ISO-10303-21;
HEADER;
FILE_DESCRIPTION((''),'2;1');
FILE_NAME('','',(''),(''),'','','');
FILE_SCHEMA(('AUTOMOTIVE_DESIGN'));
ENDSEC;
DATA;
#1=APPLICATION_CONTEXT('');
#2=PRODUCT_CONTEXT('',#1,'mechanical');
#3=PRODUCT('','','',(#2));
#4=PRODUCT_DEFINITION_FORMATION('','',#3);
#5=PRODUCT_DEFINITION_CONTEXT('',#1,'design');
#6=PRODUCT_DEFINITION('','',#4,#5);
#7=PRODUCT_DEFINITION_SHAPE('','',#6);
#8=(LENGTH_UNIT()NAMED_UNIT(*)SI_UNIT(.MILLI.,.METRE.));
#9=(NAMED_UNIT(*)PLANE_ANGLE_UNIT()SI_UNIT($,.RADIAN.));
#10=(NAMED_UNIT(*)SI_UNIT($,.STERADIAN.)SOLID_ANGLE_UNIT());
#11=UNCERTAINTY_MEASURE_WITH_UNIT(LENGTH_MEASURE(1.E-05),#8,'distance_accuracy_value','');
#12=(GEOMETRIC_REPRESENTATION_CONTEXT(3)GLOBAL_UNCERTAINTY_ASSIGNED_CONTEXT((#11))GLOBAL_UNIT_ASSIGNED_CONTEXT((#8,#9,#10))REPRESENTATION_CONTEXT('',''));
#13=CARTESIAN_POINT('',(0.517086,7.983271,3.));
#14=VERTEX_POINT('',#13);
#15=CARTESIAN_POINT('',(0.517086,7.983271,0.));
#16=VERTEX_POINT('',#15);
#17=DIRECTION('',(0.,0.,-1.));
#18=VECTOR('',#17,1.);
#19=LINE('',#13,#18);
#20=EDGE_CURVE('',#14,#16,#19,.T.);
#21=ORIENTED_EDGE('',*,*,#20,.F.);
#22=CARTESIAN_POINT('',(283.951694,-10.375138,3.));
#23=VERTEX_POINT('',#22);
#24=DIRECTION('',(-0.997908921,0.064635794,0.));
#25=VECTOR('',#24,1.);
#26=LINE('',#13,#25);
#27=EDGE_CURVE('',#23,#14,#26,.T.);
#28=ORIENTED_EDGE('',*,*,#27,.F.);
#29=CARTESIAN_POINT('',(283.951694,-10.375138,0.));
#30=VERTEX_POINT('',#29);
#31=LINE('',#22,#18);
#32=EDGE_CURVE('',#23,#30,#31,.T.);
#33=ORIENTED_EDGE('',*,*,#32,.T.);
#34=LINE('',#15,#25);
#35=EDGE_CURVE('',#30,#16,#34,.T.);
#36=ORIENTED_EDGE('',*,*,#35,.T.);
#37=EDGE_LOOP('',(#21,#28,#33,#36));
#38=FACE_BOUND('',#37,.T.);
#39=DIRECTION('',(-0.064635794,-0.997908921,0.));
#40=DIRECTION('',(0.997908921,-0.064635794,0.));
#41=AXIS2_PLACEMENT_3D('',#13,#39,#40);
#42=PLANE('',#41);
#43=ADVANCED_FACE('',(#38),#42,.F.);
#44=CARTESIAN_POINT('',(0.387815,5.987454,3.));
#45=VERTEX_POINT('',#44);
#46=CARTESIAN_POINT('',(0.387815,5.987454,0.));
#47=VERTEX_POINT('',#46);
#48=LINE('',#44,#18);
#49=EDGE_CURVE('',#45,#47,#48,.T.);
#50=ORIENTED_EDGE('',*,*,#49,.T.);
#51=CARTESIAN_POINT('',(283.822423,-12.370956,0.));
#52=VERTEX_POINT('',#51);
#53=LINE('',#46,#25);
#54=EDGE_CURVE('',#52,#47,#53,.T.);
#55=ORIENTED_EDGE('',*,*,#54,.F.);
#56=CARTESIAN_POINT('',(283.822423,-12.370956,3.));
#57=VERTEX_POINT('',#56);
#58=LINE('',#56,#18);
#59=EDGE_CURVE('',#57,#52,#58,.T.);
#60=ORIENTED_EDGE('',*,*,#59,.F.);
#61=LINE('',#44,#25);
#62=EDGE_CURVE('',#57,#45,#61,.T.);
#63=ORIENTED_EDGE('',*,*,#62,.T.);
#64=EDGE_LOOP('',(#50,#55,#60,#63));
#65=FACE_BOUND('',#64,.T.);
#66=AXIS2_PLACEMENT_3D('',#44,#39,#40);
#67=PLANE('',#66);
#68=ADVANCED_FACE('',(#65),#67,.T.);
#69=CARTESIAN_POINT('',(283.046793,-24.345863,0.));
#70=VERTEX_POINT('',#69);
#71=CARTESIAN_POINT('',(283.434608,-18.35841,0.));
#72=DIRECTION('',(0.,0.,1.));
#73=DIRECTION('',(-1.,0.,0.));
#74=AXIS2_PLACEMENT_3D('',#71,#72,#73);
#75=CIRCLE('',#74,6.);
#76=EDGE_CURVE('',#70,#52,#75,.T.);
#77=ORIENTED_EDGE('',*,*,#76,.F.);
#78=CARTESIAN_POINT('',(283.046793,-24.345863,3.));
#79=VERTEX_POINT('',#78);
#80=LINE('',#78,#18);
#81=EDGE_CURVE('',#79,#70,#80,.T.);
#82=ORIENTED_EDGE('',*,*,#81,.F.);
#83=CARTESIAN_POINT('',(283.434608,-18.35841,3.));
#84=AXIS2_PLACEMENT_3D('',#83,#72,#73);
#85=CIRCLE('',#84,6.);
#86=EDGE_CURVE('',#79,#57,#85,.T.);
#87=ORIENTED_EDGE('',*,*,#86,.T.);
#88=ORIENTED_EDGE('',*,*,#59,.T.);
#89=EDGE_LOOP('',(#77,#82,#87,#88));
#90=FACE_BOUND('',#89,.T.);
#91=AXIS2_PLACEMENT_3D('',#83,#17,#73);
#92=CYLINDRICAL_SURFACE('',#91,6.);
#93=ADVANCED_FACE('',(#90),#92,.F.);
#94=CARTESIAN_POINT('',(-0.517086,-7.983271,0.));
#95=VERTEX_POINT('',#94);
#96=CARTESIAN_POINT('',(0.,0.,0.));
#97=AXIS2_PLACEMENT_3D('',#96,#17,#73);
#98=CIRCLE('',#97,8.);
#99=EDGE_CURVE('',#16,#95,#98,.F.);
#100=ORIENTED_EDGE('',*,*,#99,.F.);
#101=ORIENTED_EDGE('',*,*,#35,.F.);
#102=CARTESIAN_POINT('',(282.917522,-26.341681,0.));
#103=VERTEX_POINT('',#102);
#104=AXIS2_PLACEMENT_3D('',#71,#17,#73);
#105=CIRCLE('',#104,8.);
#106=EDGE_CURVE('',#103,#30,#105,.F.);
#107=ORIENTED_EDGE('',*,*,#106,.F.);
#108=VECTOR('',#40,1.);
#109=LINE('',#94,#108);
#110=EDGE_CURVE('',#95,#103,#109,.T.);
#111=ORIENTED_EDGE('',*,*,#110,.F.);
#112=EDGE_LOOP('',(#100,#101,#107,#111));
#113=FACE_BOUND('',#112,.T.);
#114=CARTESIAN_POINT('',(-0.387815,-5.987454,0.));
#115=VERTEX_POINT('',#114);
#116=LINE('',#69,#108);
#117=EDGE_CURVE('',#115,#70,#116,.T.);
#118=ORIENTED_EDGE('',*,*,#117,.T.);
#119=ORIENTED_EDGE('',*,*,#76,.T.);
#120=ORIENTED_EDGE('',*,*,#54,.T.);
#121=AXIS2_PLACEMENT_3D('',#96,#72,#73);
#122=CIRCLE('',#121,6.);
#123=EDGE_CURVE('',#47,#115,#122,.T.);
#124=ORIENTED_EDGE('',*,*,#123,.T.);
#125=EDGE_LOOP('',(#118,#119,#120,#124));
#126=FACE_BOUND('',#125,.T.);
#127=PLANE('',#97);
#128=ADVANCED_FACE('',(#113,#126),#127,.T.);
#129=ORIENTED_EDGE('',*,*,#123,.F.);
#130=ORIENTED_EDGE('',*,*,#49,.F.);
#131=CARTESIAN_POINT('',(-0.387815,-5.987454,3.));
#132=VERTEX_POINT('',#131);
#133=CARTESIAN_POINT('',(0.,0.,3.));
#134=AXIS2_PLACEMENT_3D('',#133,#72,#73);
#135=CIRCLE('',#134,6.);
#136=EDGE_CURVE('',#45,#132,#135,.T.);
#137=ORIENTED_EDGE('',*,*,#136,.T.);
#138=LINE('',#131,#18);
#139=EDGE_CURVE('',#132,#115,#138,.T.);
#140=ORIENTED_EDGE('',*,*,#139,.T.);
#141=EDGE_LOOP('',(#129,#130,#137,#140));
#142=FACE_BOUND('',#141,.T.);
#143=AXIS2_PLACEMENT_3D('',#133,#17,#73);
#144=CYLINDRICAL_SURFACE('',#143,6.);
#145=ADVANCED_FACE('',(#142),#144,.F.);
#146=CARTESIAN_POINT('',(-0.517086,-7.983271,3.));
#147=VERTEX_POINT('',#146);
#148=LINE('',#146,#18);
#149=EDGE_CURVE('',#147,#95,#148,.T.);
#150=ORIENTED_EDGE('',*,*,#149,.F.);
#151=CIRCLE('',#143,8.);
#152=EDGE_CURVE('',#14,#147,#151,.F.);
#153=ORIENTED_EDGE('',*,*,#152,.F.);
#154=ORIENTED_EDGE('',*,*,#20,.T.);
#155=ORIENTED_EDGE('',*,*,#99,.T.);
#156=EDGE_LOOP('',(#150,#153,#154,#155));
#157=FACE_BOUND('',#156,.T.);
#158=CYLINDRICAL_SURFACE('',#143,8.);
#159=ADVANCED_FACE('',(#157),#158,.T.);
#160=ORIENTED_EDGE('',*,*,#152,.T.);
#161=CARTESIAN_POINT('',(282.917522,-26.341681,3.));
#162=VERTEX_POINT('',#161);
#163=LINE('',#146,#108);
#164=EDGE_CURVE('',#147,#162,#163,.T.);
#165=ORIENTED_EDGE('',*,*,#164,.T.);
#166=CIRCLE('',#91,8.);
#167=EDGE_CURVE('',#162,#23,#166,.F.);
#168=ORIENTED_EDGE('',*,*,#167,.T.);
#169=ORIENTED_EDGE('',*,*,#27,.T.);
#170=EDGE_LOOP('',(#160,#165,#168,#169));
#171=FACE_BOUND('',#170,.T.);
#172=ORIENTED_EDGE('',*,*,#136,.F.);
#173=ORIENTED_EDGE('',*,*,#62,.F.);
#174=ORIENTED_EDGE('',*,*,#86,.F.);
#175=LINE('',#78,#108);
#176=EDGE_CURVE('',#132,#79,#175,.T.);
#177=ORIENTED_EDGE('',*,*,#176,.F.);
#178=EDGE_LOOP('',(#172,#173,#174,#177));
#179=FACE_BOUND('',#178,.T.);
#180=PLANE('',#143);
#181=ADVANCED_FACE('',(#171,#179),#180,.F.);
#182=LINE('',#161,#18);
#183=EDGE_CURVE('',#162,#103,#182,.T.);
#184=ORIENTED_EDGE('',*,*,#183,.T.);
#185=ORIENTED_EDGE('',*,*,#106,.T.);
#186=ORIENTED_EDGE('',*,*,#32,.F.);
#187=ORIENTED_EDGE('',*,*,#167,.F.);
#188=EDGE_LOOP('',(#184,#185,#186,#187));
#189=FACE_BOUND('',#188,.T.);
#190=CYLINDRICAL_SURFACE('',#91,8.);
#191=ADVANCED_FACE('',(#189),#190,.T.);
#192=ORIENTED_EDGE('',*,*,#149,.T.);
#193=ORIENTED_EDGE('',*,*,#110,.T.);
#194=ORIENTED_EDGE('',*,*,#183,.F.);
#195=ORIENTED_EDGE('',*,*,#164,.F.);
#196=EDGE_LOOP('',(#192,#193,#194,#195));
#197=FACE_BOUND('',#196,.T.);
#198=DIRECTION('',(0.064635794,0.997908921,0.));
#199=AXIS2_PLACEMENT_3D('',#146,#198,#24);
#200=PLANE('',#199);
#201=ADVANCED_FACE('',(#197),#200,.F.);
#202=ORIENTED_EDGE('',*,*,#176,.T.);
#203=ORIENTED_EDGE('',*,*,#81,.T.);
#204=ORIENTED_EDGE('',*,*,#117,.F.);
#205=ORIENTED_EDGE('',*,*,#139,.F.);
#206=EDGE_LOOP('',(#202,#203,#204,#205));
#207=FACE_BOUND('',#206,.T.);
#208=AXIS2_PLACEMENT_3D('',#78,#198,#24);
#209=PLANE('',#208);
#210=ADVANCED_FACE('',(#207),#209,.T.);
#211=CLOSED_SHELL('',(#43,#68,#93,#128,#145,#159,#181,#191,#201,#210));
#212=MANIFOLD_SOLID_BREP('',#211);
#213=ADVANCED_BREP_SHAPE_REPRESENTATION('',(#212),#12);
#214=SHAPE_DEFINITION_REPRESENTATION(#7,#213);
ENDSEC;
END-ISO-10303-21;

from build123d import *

# Parameters (mm, degrees)
EXTRUDE_THIN1_DEPTH = 3


with BuildPart() as part:
    # Sketch2 → Extrude-Thin1 (new body)
    with BuildSketch(Plane.XY):
        with BuildLine():
            Line((282.917521608, -26.341681114), (-0.51708635, -7.983271366))
            ThreePointArc((-0.51708635, -7.983271366), (-7.983271366, 0.51708635), (0.51708635, 7.983271366))
            Line((0.51708635, 7.983271366), (283.951694308, -10.375138382))
            ThreePointArc((283.951694308, -10.375138382), (291.417879325, -18.875496098), (282.917521608, -26.341681114))
        make_face()
        with BuildLine():
            Line((283.046793196, -24.345863273), (-0.387814762, -5.987453525))
            ThreePointArc((-0.387814762, -5.987453525), (-5.987453525, 0.387814762), (0.387814762, 5.987453525))
            Line((0.387814762, 5.987453525), (283.822422721, -12.370956223))
            ThreePointArc((283.822422721, -12.370956223), (289.422061483, -18.74622451), (283.046793196, -24.345863273))
        make_face(mode=Mode.SUBTRACT)
    extrude(amount=EXTRUDE_THIN1_DEPTH)


solid = part.part
